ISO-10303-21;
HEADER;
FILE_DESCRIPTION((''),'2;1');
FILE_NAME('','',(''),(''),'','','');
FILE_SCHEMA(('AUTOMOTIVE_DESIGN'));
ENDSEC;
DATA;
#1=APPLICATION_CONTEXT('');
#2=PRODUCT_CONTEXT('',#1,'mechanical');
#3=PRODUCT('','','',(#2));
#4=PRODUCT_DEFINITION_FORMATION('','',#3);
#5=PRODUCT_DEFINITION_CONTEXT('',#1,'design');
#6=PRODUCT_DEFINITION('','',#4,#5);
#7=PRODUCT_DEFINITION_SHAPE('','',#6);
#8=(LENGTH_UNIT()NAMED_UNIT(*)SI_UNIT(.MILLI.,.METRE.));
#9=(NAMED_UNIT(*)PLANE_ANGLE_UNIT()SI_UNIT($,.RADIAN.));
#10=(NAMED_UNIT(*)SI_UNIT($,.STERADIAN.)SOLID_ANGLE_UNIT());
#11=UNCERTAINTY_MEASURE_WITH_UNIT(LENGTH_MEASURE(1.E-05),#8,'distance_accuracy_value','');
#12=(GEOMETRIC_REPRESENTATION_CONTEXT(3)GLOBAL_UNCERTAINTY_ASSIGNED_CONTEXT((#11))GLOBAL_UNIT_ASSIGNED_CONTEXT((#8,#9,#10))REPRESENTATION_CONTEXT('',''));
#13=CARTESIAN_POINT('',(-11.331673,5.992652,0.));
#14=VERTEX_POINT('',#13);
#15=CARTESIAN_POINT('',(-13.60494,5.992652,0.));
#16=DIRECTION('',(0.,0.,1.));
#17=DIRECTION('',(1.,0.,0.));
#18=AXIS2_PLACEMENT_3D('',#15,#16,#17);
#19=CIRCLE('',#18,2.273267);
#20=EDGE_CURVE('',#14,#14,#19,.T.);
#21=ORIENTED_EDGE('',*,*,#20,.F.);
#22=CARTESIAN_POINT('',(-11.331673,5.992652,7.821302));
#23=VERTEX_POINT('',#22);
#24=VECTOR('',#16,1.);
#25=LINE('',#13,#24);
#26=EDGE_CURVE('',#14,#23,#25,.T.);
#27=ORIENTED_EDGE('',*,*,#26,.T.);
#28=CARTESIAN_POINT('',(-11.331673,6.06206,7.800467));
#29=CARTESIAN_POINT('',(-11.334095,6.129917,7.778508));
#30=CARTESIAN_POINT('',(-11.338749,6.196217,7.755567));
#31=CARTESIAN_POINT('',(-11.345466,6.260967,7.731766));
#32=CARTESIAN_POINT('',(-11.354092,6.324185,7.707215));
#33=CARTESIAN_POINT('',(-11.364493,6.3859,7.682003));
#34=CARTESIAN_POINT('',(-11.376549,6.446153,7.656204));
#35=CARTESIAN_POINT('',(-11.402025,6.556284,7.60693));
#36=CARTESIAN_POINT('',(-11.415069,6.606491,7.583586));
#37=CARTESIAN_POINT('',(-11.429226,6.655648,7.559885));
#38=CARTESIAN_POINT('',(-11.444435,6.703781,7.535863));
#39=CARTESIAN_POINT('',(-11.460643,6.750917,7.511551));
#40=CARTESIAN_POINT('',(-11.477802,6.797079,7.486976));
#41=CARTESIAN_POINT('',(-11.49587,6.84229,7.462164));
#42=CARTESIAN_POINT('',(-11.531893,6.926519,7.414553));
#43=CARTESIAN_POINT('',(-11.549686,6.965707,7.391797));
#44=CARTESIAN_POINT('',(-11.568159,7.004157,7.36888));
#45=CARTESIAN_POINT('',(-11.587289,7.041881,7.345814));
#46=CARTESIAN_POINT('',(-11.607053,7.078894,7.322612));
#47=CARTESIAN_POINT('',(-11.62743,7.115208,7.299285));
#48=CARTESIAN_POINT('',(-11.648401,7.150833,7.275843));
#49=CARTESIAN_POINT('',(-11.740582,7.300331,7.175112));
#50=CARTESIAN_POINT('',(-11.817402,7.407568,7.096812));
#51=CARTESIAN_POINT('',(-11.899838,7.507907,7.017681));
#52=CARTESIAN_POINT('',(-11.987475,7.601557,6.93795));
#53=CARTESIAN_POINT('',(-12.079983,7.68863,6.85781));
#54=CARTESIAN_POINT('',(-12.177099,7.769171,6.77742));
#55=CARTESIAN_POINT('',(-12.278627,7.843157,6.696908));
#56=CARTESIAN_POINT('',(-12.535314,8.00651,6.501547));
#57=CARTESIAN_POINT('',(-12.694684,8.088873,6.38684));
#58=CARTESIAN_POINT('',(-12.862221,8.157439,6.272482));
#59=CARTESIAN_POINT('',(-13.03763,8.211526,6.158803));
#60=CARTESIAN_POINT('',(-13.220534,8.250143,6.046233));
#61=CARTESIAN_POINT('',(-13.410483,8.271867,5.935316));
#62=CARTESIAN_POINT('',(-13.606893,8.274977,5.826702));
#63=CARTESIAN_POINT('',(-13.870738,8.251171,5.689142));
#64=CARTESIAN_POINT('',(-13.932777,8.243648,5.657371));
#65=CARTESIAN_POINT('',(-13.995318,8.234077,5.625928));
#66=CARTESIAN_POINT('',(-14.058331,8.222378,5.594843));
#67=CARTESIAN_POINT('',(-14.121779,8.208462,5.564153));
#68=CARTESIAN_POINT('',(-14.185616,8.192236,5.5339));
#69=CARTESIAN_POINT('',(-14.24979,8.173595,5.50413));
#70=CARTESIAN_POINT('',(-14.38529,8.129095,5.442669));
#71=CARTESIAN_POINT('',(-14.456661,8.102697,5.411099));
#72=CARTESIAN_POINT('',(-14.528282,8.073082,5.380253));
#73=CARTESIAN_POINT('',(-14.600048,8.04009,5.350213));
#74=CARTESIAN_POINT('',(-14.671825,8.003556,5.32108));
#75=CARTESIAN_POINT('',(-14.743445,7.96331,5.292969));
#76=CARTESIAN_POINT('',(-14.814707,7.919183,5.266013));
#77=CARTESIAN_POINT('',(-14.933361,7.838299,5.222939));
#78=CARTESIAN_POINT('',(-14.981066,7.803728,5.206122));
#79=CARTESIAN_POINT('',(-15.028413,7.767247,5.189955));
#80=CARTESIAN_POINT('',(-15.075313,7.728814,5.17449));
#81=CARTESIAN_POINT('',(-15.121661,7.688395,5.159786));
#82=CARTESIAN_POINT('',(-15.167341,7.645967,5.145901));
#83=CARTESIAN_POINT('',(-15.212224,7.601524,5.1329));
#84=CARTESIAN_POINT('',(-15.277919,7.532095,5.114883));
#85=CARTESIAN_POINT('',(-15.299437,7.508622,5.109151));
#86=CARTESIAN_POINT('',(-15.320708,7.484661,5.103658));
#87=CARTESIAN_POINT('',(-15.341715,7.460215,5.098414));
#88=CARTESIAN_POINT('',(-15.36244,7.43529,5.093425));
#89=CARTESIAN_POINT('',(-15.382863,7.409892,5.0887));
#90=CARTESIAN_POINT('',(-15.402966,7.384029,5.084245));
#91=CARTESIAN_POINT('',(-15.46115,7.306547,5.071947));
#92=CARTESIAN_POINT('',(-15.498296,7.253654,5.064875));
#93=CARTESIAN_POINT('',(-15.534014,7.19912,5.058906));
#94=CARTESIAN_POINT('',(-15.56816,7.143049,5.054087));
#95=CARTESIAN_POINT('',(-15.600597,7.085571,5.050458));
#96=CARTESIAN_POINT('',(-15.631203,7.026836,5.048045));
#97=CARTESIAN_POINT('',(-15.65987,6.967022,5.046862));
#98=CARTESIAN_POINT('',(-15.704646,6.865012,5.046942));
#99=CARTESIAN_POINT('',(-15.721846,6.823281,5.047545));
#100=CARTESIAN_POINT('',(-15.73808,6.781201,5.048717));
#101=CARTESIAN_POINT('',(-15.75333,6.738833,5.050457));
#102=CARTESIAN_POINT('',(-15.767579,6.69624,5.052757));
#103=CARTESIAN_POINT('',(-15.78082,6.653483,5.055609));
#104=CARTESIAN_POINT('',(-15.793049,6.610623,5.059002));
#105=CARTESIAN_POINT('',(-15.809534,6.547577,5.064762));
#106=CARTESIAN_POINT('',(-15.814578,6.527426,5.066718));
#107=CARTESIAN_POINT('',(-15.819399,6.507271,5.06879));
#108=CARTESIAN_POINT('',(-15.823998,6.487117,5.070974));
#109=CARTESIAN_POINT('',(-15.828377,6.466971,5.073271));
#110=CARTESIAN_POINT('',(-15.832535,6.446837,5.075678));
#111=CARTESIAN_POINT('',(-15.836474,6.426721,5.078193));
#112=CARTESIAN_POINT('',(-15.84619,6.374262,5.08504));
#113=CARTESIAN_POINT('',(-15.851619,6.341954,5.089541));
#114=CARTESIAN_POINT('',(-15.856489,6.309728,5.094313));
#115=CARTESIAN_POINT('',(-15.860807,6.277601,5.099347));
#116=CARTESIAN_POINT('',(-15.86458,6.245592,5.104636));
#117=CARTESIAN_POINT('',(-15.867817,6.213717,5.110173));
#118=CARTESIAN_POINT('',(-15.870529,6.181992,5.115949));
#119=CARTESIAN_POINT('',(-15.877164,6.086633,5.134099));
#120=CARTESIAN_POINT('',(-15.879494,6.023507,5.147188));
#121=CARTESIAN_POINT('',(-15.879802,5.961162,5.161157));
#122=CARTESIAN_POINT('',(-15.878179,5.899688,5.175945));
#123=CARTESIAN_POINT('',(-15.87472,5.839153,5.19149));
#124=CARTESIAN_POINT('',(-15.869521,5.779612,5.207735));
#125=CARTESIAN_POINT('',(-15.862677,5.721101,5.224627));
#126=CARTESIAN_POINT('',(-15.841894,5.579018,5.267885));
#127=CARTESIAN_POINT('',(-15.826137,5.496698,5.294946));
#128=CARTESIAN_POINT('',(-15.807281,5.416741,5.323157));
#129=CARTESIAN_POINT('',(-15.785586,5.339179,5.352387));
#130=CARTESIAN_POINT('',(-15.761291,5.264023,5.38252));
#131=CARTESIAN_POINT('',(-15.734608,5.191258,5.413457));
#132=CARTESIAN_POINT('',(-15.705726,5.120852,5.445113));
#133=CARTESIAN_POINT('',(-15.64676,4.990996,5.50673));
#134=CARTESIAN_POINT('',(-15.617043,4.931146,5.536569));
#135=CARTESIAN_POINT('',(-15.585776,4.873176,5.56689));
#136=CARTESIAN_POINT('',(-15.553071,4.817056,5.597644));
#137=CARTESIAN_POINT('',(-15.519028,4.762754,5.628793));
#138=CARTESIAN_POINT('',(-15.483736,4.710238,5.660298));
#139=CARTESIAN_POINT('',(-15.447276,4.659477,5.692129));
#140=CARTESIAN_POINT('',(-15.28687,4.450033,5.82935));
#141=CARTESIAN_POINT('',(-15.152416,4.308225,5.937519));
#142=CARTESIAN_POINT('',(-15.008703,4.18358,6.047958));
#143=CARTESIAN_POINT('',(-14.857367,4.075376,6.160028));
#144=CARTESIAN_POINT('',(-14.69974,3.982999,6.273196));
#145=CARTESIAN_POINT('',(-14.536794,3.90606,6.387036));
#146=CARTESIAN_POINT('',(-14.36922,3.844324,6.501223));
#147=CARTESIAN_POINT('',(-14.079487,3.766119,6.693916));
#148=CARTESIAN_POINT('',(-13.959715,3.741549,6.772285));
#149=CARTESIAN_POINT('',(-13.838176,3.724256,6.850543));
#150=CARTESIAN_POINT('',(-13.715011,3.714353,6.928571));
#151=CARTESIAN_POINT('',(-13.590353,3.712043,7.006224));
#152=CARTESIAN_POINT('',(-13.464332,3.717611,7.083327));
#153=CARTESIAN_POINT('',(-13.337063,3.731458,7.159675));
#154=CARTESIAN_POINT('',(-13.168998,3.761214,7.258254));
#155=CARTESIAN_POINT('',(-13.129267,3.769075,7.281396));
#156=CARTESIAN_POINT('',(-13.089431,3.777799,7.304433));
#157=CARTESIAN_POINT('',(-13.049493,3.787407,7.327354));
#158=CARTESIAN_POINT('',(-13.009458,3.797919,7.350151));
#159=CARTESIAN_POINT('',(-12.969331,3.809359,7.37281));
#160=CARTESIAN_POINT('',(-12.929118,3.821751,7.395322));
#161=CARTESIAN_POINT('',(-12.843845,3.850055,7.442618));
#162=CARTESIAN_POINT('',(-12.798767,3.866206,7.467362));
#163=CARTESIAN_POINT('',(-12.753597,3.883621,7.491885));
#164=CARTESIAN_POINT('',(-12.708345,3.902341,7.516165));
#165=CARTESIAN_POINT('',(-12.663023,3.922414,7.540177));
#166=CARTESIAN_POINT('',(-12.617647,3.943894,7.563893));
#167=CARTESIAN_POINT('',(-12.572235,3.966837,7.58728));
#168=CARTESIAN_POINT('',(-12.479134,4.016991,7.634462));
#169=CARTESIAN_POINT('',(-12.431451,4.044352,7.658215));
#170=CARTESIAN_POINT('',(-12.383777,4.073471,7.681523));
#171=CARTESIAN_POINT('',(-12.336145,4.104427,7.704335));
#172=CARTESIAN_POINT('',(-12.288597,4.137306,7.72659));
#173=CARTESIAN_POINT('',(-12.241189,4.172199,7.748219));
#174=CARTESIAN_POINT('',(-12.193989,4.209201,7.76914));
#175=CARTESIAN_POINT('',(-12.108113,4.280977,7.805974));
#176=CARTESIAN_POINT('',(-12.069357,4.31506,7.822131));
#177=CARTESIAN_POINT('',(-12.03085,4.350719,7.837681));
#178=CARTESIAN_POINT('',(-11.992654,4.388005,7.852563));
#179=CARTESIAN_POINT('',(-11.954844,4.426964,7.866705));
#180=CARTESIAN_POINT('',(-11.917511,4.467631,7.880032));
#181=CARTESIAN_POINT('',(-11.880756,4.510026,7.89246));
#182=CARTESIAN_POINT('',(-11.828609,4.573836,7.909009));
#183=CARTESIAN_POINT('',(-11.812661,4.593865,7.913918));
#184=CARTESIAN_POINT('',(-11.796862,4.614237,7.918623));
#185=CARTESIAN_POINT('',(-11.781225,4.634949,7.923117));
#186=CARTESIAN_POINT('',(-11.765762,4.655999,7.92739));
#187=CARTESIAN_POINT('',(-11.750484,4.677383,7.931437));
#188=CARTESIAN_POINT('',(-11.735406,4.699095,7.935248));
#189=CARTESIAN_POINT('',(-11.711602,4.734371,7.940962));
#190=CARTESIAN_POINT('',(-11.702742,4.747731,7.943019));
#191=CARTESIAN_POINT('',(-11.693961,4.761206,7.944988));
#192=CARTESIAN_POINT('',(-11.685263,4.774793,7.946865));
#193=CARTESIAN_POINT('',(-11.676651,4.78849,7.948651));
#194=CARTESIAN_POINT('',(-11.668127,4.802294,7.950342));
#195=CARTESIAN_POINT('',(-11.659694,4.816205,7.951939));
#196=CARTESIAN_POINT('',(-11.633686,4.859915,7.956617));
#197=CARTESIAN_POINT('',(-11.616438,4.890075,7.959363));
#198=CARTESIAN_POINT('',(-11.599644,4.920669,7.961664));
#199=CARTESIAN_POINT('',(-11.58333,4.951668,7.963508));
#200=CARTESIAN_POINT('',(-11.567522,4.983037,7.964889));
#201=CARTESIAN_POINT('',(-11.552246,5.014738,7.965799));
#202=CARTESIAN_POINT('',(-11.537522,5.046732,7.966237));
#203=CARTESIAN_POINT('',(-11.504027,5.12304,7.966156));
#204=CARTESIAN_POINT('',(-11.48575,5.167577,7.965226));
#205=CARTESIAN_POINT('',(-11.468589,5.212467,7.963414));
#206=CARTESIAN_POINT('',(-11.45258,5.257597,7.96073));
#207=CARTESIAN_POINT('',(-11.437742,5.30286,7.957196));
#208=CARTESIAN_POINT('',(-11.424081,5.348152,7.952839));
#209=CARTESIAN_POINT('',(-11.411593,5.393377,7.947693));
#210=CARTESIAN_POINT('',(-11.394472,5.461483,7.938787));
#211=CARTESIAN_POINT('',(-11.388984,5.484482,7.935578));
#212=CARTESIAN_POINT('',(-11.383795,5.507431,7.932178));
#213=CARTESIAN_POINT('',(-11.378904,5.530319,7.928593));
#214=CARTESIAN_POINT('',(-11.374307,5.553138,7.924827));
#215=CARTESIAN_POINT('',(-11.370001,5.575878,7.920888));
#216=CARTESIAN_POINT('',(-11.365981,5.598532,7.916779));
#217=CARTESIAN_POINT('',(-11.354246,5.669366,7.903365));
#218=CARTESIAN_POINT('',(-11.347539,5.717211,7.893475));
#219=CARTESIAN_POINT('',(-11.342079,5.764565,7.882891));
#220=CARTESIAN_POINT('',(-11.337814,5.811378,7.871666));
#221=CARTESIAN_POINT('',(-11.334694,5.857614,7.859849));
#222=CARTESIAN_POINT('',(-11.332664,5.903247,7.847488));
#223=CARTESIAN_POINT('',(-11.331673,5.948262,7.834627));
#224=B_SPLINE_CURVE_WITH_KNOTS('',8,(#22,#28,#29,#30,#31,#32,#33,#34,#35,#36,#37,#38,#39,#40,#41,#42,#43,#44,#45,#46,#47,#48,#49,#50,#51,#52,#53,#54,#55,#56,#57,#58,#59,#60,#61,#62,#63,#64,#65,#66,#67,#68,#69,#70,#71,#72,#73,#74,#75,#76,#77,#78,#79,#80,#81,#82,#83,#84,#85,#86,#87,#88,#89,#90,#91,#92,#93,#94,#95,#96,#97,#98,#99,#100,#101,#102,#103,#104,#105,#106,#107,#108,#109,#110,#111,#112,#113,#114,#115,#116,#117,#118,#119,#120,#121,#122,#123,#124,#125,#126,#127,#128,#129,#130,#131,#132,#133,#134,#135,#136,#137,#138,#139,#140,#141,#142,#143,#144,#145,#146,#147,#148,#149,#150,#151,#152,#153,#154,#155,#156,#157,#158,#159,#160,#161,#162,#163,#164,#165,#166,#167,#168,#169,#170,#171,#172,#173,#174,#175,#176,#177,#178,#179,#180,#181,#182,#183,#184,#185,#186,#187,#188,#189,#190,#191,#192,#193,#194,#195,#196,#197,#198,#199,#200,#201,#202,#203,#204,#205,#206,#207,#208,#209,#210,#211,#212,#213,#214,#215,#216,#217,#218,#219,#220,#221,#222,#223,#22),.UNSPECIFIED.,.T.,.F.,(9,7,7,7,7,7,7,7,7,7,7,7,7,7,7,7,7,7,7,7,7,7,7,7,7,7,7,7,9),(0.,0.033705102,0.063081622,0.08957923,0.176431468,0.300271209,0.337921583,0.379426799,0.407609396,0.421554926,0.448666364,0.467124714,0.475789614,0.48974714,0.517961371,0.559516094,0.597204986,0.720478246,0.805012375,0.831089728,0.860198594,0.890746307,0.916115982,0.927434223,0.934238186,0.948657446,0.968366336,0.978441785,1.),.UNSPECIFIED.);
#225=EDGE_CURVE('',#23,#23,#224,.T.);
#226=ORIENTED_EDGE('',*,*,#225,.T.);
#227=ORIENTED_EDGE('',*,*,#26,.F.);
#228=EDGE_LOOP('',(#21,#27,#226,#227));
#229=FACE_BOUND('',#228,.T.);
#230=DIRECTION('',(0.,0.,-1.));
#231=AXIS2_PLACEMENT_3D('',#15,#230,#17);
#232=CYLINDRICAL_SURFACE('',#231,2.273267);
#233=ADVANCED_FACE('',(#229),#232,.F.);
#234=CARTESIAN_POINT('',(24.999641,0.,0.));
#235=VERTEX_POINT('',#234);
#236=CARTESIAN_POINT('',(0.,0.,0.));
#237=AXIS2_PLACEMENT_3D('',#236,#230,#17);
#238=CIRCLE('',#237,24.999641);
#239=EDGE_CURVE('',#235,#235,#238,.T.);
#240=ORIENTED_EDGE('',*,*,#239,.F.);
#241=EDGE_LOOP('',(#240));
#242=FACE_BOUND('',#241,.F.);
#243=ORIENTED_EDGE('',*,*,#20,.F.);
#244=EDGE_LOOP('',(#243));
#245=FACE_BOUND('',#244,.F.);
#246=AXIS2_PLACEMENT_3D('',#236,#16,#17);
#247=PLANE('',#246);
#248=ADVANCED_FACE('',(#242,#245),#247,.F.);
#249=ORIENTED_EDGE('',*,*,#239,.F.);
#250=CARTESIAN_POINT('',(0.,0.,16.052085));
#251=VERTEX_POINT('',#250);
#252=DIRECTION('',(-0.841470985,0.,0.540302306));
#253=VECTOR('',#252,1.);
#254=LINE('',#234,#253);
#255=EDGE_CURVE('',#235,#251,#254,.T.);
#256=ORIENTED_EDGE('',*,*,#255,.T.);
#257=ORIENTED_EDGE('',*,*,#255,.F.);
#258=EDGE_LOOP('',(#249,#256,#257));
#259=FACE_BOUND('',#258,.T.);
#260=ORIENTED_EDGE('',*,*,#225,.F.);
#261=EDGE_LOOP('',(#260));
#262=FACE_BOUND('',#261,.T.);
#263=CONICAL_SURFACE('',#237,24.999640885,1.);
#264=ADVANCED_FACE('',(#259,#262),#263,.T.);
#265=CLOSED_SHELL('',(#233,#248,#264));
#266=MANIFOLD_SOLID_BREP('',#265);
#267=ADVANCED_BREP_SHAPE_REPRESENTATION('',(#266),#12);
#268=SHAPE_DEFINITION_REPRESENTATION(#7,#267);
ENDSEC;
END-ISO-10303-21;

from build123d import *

# Parameters (mm, degrees)
F0_R     = 24.9996408851
F1_DEPTH = 30.48
F1_TAPER = 57.2957795131
F2_R     = 2.2732669584
F3_DEPTH = 30.48


with BuildPart() as f1:
    # F0 (on Top) → F1 (new body)
    with BuildSketch(Plane.XY):
        Circle(F0_R)
    extrude(amount=F1_DEPTH, taper=F1_TAPER)

    # F2 (on Top) → F3 (cut)
    with BuildSketch(Plane.XY):
        with Locations((-13.6049399152, 5.992651917)):
            Circle(F2_R)
    extrude(amount=F3_DEPTH, mode=Mode.SUBTRACT)


solid = f1.part
